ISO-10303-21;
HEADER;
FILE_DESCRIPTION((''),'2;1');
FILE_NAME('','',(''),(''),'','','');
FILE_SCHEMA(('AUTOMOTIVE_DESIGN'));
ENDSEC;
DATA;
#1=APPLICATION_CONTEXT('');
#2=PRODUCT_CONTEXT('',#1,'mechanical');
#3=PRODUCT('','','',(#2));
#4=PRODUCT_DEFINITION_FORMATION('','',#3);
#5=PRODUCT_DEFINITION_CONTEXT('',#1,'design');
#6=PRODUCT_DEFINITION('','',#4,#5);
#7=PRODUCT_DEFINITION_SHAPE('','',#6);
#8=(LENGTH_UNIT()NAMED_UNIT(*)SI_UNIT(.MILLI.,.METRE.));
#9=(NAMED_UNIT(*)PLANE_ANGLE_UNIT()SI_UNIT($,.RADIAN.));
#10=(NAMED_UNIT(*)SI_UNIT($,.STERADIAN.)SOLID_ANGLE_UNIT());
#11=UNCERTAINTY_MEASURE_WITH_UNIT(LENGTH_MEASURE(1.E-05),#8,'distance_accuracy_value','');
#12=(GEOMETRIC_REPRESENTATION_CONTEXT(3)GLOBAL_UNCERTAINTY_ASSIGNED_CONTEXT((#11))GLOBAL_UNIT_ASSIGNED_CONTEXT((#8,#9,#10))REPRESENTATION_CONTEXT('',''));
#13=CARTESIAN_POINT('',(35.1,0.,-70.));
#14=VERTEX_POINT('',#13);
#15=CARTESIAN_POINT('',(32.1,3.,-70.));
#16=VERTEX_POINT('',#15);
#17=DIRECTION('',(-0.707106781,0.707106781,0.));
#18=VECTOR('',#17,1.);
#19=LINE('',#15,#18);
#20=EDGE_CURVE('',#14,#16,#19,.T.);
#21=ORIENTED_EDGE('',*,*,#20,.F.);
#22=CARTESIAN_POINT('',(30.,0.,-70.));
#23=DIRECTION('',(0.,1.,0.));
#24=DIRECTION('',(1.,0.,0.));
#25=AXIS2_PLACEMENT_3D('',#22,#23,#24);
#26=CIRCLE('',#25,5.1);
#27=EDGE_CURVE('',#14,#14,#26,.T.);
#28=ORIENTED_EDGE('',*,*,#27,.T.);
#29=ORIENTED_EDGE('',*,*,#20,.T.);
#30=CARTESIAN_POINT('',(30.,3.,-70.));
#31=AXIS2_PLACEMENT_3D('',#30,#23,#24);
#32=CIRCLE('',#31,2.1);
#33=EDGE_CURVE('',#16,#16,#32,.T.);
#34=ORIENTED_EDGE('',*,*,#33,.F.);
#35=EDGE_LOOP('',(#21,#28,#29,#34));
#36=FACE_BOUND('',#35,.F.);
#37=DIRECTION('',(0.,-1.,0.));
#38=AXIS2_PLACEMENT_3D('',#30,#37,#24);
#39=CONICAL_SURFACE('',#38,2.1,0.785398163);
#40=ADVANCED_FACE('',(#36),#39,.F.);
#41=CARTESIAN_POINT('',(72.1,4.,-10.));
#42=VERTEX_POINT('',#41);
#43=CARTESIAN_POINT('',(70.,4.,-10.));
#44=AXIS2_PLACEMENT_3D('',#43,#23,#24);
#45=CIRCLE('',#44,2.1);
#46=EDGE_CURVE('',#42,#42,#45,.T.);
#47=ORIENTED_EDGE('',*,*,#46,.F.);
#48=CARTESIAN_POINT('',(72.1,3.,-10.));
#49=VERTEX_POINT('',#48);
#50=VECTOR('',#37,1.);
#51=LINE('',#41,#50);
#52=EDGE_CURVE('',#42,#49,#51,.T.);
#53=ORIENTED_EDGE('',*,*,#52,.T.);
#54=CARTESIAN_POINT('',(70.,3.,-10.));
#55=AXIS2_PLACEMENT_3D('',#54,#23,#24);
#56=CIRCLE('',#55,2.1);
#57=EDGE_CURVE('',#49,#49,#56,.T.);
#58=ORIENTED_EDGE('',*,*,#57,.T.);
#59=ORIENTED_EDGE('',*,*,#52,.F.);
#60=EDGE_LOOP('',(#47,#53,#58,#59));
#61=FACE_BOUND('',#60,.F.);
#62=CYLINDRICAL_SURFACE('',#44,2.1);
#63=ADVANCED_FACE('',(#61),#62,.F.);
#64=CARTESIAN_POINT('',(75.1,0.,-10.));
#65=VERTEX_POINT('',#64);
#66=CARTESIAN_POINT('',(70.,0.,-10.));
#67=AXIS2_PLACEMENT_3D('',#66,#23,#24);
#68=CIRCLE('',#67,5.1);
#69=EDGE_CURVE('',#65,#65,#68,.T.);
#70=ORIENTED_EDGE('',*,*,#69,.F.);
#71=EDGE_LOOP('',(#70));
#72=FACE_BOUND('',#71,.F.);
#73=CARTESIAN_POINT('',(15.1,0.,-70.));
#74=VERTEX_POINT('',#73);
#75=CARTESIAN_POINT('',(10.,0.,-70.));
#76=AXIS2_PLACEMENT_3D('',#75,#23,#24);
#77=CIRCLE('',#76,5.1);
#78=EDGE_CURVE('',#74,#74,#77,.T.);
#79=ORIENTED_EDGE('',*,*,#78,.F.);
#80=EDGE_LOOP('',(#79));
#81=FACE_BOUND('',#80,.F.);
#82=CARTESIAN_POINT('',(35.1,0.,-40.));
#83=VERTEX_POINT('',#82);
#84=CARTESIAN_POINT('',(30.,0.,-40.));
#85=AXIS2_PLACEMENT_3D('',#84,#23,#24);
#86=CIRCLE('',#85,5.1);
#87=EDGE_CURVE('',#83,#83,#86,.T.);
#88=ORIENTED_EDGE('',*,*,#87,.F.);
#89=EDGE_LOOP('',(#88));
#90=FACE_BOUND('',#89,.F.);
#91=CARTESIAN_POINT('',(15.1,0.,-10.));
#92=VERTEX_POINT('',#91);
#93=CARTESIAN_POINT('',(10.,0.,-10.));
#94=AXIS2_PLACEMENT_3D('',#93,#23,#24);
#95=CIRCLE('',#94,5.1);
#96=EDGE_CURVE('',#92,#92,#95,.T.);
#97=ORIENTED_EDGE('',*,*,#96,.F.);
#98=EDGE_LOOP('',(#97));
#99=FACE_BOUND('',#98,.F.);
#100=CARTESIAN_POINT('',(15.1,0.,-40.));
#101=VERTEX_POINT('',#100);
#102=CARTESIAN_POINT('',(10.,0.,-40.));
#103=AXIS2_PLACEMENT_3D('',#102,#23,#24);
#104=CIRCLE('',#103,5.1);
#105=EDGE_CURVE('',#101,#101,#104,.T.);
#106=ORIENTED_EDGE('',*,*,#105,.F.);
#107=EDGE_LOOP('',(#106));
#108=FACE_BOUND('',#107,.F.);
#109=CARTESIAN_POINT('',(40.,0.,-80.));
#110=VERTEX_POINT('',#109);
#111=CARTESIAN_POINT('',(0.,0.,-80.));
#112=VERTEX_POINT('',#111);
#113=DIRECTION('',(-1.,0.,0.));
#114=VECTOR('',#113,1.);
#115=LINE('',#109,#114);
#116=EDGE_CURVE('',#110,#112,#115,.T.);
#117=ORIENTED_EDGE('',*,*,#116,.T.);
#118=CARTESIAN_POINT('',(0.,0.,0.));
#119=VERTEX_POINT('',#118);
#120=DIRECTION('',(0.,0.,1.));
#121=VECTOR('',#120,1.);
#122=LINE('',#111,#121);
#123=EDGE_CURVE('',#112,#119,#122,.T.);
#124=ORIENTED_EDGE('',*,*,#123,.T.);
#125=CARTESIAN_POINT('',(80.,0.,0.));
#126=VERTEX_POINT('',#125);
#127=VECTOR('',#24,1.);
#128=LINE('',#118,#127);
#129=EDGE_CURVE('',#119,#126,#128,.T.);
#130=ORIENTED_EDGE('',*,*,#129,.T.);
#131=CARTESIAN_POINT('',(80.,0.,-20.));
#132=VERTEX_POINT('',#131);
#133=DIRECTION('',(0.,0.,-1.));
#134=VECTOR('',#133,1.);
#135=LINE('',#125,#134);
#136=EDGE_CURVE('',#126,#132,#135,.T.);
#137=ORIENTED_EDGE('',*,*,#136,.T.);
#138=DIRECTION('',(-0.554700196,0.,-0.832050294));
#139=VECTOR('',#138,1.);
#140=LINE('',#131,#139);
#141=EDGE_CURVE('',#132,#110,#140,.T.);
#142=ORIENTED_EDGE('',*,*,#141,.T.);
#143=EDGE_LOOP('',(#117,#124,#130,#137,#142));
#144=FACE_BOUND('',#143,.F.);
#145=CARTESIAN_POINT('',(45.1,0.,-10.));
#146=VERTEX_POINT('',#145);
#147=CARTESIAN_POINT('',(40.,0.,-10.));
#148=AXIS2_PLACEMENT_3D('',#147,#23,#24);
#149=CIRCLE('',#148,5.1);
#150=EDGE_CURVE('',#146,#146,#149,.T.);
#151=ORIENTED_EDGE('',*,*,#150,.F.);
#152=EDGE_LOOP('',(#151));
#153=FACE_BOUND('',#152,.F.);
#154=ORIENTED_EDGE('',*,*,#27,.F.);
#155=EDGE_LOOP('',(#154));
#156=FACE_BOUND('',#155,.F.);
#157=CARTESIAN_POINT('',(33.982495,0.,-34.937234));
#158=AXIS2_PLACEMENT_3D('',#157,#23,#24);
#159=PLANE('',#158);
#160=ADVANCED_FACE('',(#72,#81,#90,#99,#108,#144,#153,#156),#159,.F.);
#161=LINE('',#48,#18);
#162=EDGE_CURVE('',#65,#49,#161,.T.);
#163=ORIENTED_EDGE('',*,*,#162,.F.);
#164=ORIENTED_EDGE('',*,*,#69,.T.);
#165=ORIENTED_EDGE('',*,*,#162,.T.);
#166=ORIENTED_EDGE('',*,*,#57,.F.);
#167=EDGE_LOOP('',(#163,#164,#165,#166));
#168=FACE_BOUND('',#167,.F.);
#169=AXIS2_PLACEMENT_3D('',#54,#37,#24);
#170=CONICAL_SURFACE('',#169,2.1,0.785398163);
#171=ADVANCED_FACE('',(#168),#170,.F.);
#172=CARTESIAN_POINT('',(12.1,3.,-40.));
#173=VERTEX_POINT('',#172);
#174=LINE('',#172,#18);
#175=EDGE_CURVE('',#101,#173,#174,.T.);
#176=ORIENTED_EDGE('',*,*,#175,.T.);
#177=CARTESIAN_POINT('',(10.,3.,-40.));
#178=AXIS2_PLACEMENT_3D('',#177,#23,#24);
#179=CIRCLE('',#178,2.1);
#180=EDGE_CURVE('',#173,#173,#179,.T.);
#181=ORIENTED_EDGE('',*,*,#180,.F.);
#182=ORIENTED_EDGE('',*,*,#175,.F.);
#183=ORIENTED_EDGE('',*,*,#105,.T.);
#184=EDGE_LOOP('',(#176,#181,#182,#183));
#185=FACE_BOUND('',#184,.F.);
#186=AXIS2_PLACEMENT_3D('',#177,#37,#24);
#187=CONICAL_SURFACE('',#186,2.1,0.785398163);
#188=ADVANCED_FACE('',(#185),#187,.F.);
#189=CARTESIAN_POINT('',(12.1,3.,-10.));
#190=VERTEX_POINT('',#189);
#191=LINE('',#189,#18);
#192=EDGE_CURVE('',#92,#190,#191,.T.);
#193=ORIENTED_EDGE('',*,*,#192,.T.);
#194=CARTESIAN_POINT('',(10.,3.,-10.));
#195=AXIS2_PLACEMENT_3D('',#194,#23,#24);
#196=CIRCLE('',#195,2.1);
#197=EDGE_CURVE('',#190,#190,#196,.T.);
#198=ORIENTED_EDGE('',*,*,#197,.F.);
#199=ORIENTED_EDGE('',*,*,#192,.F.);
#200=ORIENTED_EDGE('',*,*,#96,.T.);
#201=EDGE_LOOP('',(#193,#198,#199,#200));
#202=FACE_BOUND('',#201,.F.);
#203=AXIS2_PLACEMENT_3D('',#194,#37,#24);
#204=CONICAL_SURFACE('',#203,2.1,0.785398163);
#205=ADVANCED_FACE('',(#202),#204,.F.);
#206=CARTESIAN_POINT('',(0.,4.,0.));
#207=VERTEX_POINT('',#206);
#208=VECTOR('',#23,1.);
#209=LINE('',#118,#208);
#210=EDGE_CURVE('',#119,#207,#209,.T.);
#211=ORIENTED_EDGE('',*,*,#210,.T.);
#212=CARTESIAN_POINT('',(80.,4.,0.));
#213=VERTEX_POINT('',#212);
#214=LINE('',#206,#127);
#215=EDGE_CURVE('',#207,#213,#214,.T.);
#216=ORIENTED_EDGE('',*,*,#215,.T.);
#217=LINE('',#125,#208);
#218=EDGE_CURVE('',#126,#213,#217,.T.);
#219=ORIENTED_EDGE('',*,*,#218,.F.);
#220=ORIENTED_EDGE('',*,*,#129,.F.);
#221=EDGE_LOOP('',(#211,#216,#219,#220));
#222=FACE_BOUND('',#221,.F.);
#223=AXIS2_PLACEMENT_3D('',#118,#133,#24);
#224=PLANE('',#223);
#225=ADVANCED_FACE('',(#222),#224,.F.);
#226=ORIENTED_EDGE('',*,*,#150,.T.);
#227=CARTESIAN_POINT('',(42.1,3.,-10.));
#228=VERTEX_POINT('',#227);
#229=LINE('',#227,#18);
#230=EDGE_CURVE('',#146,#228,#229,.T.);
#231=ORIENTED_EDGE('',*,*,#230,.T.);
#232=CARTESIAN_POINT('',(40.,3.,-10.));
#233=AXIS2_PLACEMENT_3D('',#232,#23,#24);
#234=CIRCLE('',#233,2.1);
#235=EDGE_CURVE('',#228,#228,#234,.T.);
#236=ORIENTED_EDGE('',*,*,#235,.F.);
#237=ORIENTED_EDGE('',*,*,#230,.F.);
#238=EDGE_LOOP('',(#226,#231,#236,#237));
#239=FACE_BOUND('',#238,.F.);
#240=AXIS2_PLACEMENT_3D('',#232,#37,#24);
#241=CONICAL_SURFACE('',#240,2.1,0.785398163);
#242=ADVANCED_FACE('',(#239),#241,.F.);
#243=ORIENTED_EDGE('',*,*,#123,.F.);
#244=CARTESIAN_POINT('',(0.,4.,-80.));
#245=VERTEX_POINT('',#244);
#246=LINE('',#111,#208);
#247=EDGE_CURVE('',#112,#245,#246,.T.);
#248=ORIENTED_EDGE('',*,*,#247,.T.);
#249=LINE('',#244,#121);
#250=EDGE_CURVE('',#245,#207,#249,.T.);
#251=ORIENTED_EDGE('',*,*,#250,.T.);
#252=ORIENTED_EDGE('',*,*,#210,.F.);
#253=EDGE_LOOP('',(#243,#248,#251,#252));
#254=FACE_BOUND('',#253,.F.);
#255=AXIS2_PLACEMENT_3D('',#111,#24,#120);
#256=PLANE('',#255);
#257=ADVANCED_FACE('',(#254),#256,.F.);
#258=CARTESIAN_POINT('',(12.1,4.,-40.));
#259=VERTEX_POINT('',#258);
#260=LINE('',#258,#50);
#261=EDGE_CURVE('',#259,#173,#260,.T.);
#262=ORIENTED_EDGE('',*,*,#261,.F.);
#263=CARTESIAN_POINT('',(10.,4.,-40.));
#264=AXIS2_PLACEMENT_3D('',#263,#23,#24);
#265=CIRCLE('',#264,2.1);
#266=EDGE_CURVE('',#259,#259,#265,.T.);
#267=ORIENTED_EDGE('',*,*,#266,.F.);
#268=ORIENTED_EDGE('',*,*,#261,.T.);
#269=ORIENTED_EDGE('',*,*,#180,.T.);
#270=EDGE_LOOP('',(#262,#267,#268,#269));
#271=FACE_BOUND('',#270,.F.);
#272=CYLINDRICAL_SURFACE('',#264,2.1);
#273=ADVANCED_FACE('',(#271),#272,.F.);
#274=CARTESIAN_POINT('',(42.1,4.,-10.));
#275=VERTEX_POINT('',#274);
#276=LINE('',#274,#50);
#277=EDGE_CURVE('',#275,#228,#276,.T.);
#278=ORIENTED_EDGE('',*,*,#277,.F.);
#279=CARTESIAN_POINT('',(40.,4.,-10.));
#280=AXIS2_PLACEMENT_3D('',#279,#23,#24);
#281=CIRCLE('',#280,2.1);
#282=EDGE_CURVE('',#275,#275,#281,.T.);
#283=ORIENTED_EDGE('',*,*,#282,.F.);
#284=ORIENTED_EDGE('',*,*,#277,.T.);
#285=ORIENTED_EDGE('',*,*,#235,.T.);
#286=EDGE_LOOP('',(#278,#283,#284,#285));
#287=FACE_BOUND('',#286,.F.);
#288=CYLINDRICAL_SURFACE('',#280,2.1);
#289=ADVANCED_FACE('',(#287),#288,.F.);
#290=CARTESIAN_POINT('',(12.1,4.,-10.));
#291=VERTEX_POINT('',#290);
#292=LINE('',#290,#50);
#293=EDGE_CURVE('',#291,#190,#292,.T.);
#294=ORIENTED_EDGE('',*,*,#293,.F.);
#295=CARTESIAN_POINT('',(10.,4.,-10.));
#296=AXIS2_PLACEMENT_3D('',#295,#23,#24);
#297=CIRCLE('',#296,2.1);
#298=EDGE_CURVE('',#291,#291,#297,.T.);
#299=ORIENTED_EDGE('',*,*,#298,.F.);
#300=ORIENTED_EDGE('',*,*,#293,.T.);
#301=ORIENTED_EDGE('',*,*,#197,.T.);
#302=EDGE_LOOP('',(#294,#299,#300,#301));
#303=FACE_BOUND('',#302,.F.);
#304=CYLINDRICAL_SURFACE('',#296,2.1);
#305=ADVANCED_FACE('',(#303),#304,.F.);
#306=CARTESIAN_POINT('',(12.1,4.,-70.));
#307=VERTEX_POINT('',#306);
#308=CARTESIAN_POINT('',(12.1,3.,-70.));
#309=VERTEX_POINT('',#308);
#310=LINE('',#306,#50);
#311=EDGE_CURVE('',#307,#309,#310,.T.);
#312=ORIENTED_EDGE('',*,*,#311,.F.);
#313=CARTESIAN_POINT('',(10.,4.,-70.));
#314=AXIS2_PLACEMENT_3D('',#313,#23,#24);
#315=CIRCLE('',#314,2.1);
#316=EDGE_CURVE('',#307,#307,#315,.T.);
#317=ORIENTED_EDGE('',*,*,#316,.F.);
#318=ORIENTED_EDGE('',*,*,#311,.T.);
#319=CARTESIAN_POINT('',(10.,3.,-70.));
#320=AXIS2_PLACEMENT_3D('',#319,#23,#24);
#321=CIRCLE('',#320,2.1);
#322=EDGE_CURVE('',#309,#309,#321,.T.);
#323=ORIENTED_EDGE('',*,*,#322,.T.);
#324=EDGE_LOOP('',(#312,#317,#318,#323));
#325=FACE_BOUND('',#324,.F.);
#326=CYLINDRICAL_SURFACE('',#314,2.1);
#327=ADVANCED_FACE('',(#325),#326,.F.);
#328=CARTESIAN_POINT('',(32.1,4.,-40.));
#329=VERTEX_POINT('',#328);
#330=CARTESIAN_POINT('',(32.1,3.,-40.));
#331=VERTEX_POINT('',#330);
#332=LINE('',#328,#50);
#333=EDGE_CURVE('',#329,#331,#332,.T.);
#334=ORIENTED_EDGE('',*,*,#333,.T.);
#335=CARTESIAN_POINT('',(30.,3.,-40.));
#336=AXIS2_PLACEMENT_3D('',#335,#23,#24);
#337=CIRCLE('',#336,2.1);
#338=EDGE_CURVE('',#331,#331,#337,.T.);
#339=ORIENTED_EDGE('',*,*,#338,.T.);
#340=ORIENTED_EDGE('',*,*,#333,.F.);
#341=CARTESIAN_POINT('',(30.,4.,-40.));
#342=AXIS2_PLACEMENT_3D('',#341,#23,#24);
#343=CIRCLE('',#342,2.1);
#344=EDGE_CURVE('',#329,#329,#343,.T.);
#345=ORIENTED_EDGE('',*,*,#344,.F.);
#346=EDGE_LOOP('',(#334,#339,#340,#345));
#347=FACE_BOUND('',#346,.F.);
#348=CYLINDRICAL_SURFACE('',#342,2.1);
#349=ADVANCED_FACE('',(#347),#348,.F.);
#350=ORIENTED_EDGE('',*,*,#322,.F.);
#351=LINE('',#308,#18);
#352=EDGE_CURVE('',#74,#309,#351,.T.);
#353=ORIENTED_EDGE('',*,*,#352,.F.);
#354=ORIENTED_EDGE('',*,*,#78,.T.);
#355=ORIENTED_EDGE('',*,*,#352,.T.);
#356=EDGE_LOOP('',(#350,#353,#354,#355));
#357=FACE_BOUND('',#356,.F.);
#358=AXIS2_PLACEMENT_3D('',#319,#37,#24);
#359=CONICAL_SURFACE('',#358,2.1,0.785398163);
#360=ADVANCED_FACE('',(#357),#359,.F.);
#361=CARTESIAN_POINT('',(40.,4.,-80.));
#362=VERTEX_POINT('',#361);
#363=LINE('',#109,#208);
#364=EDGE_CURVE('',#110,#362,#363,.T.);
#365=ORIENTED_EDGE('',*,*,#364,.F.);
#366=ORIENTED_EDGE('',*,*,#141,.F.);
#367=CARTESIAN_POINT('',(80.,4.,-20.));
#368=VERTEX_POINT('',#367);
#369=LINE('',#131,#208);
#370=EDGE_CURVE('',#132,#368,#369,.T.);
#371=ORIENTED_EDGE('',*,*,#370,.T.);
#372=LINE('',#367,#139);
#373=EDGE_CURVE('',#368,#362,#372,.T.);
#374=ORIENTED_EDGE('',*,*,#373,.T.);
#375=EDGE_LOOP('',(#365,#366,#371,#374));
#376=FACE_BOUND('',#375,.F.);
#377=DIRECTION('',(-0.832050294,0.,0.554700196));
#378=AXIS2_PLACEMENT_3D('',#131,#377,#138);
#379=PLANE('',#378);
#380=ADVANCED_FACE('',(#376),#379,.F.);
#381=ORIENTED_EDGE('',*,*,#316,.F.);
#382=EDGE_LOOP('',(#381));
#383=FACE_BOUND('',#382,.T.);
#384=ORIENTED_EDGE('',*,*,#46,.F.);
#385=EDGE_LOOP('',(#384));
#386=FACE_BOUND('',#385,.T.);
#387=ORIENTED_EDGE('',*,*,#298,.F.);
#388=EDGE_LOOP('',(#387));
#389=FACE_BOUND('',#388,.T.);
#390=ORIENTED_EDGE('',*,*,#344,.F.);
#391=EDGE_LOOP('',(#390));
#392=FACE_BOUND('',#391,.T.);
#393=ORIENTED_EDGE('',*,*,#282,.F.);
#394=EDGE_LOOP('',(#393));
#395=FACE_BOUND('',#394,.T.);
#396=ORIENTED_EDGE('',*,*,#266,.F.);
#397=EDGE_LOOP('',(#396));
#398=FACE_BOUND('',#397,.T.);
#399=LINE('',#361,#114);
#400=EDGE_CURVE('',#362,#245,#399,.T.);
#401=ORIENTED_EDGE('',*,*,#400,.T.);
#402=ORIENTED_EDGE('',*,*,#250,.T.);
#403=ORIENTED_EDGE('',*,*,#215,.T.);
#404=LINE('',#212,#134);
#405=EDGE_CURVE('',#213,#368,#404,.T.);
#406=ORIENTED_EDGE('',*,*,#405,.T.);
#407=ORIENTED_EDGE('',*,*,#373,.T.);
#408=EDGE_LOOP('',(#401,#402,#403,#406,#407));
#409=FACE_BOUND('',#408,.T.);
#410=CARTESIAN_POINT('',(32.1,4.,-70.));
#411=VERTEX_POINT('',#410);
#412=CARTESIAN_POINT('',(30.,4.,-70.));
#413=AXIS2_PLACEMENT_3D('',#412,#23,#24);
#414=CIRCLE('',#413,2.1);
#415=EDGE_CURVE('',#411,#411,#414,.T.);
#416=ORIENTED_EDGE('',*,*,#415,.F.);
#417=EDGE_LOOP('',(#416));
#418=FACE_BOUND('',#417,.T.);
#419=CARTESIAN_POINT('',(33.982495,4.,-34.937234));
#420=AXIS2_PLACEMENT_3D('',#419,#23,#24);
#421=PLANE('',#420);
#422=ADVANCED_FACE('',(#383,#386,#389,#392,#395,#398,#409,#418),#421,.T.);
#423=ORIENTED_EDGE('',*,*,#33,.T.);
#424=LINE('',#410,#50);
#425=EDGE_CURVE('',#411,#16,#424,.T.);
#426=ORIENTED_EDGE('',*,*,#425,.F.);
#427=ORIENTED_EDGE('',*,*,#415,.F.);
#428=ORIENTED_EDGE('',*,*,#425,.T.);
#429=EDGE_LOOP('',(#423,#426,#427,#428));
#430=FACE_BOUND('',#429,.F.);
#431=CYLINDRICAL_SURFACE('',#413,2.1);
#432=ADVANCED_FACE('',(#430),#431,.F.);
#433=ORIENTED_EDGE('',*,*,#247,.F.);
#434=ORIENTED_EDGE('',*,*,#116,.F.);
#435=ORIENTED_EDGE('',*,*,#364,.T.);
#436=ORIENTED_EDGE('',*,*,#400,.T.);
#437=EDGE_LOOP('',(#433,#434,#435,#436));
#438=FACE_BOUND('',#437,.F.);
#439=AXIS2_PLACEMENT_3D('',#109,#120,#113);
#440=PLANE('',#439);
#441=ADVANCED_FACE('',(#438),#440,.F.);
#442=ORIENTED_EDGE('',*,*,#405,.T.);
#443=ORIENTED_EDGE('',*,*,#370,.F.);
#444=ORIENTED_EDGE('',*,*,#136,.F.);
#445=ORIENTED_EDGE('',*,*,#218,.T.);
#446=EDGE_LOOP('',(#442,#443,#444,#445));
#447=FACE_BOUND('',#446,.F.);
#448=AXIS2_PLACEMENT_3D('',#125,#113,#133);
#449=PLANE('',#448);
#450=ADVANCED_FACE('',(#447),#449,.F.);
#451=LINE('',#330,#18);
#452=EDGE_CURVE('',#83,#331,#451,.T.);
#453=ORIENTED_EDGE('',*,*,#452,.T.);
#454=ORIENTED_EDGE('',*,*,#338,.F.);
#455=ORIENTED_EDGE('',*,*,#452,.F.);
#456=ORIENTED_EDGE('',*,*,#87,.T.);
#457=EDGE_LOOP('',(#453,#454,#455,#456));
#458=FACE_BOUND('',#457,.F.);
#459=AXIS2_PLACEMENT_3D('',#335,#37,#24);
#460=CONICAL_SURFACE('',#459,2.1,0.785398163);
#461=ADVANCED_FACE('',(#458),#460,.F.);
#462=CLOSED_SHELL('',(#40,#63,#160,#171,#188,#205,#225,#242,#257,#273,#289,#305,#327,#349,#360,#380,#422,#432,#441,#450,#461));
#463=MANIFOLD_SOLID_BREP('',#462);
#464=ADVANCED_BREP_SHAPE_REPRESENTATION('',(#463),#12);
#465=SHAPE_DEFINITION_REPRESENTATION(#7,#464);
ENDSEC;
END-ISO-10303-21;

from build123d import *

# Parameters (mm, degrees)
BOSS_EXTRUDE1_DEPTH = 4
SKETCH2_R           = 2.1
CUT_EXTRUDE1_DEPTH  = 4
CHAMFER1_SIZE       = 3


with BuildPart() as part:
    # Sketch1 → Boss-Extrude1 (new body)
    with BuildSketch(Plane(origin=(0, 0, 0), x_dir=(1, 0, 0), z_dir=(0, 1, 0))):
        Polygon((0, 0), (80, 0), (80, 20), (40, 80), (0, 80), align=None)
    extrude(amount=BOSS_EXTRUDE1_DEPTH)

    # Sketch2 → Cut-Extrude1 (cut)
    with BuildSketch(Plane(origin=(0, 4, 0), x_dir=(1, 0, 0), z_dir=(0, 1, 0))):
        with Locations((10, 10)):
            Circle(SKETCH2_R)
        with Locations((40, 10)):
            Circle(SKETCH2_R)
        with Locations((70, 10)):
            Circle(SKETCH2_R)
        with Locations((30, 40)):
            Circle(SKETCH2_R)
        with Locations((30, 70)):
            Circle(SKETCH2_R)
        with Locations((10, 40)):
            Circle(SKETCH2_R)
        with Locations((10, 70)):
            Circle(SKETCH2_R)
    extrude(amount=-CUT_EXTRUDE1_DEPTH, mode=Mode.SUBTRACT)

    # Chamfer1
    chamfer1_edges = [part.edges().sort_by_distance(p)[0] for p in [
        (7.9, 0, -70),
        (7.9, 0, -40),
        (27.9, 0, -70),
        (27.9, 0, -40),
        (67.9, 0, -10),
        (37.9, 0, -10),
        (7.9, 0, -10),
    ]]
    chamfer(chamfer1_edges, length=CHAMFER1_SIZE)


solid = part.part
